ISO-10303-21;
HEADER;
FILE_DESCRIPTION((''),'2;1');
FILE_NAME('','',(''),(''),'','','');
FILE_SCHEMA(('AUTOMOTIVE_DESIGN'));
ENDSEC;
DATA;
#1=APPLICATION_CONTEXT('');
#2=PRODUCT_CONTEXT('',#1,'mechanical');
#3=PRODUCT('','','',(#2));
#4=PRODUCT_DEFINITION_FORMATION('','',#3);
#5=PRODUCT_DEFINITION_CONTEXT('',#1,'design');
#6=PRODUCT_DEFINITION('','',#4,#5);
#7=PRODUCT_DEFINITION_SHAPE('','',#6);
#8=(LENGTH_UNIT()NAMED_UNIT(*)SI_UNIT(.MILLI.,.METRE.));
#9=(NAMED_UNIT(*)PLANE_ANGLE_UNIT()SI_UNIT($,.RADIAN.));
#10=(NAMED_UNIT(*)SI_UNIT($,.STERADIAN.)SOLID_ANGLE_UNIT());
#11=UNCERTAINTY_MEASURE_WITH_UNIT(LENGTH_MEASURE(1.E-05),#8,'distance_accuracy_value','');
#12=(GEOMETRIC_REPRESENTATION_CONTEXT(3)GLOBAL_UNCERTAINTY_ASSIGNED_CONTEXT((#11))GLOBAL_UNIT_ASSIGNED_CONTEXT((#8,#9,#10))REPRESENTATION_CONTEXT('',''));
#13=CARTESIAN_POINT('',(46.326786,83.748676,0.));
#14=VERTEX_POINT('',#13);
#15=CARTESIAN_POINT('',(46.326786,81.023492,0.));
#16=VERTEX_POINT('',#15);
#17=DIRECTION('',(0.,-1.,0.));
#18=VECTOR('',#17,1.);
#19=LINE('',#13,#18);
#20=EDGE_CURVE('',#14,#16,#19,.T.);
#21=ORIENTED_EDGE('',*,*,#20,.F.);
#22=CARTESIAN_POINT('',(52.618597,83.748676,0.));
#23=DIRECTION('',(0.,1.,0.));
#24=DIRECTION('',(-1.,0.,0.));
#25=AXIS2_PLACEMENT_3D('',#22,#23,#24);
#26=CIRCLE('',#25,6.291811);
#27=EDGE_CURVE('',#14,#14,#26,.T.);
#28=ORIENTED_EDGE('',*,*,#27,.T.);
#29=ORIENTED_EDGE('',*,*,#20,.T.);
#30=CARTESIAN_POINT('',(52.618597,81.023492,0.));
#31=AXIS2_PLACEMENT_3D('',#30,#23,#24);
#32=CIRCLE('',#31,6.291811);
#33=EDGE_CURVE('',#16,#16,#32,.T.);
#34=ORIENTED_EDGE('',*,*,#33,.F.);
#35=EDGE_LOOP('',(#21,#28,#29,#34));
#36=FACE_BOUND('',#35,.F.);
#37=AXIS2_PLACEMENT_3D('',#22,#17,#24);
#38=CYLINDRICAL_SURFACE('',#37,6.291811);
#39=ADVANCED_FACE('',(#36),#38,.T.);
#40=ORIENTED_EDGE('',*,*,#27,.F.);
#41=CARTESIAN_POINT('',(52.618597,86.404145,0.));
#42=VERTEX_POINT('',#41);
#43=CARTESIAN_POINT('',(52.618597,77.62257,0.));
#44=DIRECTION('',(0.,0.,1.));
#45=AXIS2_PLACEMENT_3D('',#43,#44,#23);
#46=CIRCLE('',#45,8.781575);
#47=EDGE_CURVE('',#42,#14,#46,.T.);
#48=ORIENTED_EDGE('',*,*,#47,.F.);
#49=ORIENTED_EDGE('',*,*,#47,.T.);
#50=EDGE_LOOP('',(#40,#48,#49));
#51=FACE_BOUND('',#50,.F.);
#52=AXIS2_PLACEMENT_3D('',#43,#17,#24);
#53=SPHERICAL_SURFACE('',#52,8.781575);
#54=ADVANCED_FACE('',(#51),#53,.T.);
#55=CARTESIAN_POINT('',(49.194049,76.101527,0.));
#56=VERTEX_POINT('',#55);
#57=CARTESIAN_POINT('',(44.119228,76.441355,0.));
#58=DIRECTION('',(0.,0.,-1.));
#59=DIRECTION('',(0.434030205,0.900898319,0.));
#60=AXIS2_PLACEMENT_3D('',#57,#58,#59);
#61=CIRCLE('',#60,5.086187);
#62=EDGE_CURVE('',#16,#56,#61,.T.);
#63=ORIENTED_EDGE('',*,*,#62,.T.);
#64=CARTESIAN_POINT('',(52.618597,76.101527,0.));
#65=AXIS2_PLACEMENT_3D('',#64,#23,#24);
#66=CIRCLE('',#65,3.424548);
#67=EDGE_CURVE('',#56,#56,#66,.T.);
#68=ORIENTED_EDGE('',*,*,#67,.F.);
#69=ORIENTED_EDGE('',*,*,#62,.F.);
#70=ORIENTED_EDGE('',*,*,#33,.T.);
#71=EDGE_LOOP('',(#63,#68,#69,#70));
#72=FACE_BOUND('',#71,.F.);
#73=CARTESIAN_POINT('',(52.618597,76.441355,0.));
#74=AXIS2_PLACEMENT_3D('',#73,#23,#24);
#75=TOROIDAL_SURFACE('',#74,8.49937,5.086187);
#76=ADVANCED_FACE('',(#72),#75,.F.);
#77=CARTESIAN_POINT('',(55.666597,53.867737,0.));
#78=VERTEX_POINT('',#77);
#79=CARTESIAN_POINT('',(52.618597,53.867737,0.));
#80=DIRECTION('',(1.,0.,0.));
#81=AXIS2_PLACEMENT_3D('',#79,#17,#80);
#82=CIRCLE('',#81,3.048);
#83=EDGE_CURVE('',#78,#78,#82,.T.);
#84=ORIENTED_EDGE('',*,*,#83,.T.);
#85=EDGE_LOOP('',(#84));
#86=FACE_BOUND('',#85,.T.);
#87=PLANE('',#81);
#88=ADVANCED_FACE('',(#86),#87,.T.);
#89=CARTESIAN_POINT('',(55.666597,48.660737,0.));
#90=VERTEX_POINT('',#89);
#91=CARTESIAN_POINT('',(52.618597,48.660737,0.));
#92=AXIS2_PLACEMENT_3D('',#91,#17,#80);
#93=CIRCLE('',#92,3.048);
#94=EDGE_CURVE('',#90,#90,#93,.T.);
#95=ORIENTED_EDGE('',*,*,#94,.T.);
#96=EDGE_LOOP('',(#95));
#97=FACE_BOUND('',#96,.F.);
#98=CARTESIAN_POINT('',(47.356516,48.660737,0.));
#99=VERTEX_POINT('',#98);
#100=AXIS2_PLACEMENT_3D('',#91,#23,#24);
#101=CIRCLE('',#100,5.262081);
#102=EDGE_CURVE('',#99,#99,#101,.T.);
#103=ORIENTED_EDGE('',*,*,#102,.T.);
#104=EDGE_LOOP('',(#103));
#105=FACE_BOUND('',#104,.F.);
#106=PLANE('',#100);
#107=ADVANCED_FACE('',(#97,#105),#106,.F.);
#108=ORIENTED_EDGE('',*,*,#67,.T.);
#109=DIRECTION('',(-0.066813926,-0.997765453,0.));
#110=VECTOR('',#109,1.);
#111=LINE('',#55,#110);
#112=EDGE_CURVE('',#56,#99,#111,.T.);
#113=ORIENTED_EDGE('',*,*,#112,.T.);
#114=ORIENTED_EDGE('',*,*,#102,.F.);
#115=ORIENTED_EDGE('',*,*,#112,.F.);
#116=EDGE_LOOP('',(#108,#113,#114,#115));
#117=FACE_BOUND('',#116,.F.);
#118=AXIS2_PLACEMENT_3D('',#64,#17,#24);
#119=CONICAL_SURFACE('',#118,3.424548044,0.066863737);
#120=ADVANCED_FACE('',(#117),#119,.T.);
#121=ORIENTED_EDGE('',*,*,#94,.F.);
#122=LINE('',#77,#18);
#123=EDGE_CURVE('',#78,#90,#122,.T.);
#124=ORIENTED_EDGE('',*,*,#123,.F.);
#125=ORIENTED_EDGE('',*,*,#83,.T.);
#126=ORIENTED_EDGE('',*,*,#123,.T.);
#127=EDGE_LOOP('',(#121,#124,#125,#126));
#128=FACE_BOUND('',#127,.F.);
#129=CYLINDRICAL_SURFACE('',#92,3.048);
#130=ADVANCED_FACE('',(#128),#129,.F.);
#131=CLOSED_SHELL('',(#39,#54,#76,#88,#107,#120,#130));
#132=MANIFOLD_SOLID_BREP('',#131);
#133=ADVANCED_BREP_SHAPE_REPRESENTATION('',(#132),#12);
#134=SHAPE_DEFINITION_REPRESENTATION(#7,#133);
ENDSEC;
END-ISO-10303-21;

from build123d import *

# Parameters (mm, degrees)
F2_R     = 3.048
F3_DEPTH = 5.207


with BuildPart() as f1:
    # F0 (on Top) → F1 (revolve)
    with BuildSketch(Plane.XY):
        with BuildLine():
            Line((49.5707131922, 48.660736531), (49.5707131922, 43.605748564))
            Line((49.5707131922, 43.605748564), (52.6185971337, 43.5791500838))
            Line((52.6185971337, 43.5791500838), (52.6185971337, 86.4041447639))
            ThreePointArc((52.6185971337, 86.4041447639), (49.203981533, 85.7130864295), (46.3267862797, 83.7486758828))
            Line((46.3267862797, 83.7486758828), (46.3267862797, 81.023491919))
            ThreePointArc((46.3267862797, 81.023491919), (48.5140769462, 79.0015491722), (49.1940490901, 76.101526618))
            Line((49.1940490901, 76.101526618), (47.3565161228, 48.660736531))
            Line((47.3565161228, 48.660736531), (49.5707131922, 48.660736531))
        make_face()
    revolve(axis=Axis((52.6185971337, 64.9916474239, 0), (0, 1, 0)))

    # F2 (on face) → F3 (cut, symmetric)
    with BuildSketch(Plane.XZ.offset(-48.660736531)):
        with Locations((52.6185971337, 0)):
            Circle(F2_R)
    extrude(amount=F3_DEPTH, both=True, mode=Mode.SUBTRACT)


solid = f1.part
